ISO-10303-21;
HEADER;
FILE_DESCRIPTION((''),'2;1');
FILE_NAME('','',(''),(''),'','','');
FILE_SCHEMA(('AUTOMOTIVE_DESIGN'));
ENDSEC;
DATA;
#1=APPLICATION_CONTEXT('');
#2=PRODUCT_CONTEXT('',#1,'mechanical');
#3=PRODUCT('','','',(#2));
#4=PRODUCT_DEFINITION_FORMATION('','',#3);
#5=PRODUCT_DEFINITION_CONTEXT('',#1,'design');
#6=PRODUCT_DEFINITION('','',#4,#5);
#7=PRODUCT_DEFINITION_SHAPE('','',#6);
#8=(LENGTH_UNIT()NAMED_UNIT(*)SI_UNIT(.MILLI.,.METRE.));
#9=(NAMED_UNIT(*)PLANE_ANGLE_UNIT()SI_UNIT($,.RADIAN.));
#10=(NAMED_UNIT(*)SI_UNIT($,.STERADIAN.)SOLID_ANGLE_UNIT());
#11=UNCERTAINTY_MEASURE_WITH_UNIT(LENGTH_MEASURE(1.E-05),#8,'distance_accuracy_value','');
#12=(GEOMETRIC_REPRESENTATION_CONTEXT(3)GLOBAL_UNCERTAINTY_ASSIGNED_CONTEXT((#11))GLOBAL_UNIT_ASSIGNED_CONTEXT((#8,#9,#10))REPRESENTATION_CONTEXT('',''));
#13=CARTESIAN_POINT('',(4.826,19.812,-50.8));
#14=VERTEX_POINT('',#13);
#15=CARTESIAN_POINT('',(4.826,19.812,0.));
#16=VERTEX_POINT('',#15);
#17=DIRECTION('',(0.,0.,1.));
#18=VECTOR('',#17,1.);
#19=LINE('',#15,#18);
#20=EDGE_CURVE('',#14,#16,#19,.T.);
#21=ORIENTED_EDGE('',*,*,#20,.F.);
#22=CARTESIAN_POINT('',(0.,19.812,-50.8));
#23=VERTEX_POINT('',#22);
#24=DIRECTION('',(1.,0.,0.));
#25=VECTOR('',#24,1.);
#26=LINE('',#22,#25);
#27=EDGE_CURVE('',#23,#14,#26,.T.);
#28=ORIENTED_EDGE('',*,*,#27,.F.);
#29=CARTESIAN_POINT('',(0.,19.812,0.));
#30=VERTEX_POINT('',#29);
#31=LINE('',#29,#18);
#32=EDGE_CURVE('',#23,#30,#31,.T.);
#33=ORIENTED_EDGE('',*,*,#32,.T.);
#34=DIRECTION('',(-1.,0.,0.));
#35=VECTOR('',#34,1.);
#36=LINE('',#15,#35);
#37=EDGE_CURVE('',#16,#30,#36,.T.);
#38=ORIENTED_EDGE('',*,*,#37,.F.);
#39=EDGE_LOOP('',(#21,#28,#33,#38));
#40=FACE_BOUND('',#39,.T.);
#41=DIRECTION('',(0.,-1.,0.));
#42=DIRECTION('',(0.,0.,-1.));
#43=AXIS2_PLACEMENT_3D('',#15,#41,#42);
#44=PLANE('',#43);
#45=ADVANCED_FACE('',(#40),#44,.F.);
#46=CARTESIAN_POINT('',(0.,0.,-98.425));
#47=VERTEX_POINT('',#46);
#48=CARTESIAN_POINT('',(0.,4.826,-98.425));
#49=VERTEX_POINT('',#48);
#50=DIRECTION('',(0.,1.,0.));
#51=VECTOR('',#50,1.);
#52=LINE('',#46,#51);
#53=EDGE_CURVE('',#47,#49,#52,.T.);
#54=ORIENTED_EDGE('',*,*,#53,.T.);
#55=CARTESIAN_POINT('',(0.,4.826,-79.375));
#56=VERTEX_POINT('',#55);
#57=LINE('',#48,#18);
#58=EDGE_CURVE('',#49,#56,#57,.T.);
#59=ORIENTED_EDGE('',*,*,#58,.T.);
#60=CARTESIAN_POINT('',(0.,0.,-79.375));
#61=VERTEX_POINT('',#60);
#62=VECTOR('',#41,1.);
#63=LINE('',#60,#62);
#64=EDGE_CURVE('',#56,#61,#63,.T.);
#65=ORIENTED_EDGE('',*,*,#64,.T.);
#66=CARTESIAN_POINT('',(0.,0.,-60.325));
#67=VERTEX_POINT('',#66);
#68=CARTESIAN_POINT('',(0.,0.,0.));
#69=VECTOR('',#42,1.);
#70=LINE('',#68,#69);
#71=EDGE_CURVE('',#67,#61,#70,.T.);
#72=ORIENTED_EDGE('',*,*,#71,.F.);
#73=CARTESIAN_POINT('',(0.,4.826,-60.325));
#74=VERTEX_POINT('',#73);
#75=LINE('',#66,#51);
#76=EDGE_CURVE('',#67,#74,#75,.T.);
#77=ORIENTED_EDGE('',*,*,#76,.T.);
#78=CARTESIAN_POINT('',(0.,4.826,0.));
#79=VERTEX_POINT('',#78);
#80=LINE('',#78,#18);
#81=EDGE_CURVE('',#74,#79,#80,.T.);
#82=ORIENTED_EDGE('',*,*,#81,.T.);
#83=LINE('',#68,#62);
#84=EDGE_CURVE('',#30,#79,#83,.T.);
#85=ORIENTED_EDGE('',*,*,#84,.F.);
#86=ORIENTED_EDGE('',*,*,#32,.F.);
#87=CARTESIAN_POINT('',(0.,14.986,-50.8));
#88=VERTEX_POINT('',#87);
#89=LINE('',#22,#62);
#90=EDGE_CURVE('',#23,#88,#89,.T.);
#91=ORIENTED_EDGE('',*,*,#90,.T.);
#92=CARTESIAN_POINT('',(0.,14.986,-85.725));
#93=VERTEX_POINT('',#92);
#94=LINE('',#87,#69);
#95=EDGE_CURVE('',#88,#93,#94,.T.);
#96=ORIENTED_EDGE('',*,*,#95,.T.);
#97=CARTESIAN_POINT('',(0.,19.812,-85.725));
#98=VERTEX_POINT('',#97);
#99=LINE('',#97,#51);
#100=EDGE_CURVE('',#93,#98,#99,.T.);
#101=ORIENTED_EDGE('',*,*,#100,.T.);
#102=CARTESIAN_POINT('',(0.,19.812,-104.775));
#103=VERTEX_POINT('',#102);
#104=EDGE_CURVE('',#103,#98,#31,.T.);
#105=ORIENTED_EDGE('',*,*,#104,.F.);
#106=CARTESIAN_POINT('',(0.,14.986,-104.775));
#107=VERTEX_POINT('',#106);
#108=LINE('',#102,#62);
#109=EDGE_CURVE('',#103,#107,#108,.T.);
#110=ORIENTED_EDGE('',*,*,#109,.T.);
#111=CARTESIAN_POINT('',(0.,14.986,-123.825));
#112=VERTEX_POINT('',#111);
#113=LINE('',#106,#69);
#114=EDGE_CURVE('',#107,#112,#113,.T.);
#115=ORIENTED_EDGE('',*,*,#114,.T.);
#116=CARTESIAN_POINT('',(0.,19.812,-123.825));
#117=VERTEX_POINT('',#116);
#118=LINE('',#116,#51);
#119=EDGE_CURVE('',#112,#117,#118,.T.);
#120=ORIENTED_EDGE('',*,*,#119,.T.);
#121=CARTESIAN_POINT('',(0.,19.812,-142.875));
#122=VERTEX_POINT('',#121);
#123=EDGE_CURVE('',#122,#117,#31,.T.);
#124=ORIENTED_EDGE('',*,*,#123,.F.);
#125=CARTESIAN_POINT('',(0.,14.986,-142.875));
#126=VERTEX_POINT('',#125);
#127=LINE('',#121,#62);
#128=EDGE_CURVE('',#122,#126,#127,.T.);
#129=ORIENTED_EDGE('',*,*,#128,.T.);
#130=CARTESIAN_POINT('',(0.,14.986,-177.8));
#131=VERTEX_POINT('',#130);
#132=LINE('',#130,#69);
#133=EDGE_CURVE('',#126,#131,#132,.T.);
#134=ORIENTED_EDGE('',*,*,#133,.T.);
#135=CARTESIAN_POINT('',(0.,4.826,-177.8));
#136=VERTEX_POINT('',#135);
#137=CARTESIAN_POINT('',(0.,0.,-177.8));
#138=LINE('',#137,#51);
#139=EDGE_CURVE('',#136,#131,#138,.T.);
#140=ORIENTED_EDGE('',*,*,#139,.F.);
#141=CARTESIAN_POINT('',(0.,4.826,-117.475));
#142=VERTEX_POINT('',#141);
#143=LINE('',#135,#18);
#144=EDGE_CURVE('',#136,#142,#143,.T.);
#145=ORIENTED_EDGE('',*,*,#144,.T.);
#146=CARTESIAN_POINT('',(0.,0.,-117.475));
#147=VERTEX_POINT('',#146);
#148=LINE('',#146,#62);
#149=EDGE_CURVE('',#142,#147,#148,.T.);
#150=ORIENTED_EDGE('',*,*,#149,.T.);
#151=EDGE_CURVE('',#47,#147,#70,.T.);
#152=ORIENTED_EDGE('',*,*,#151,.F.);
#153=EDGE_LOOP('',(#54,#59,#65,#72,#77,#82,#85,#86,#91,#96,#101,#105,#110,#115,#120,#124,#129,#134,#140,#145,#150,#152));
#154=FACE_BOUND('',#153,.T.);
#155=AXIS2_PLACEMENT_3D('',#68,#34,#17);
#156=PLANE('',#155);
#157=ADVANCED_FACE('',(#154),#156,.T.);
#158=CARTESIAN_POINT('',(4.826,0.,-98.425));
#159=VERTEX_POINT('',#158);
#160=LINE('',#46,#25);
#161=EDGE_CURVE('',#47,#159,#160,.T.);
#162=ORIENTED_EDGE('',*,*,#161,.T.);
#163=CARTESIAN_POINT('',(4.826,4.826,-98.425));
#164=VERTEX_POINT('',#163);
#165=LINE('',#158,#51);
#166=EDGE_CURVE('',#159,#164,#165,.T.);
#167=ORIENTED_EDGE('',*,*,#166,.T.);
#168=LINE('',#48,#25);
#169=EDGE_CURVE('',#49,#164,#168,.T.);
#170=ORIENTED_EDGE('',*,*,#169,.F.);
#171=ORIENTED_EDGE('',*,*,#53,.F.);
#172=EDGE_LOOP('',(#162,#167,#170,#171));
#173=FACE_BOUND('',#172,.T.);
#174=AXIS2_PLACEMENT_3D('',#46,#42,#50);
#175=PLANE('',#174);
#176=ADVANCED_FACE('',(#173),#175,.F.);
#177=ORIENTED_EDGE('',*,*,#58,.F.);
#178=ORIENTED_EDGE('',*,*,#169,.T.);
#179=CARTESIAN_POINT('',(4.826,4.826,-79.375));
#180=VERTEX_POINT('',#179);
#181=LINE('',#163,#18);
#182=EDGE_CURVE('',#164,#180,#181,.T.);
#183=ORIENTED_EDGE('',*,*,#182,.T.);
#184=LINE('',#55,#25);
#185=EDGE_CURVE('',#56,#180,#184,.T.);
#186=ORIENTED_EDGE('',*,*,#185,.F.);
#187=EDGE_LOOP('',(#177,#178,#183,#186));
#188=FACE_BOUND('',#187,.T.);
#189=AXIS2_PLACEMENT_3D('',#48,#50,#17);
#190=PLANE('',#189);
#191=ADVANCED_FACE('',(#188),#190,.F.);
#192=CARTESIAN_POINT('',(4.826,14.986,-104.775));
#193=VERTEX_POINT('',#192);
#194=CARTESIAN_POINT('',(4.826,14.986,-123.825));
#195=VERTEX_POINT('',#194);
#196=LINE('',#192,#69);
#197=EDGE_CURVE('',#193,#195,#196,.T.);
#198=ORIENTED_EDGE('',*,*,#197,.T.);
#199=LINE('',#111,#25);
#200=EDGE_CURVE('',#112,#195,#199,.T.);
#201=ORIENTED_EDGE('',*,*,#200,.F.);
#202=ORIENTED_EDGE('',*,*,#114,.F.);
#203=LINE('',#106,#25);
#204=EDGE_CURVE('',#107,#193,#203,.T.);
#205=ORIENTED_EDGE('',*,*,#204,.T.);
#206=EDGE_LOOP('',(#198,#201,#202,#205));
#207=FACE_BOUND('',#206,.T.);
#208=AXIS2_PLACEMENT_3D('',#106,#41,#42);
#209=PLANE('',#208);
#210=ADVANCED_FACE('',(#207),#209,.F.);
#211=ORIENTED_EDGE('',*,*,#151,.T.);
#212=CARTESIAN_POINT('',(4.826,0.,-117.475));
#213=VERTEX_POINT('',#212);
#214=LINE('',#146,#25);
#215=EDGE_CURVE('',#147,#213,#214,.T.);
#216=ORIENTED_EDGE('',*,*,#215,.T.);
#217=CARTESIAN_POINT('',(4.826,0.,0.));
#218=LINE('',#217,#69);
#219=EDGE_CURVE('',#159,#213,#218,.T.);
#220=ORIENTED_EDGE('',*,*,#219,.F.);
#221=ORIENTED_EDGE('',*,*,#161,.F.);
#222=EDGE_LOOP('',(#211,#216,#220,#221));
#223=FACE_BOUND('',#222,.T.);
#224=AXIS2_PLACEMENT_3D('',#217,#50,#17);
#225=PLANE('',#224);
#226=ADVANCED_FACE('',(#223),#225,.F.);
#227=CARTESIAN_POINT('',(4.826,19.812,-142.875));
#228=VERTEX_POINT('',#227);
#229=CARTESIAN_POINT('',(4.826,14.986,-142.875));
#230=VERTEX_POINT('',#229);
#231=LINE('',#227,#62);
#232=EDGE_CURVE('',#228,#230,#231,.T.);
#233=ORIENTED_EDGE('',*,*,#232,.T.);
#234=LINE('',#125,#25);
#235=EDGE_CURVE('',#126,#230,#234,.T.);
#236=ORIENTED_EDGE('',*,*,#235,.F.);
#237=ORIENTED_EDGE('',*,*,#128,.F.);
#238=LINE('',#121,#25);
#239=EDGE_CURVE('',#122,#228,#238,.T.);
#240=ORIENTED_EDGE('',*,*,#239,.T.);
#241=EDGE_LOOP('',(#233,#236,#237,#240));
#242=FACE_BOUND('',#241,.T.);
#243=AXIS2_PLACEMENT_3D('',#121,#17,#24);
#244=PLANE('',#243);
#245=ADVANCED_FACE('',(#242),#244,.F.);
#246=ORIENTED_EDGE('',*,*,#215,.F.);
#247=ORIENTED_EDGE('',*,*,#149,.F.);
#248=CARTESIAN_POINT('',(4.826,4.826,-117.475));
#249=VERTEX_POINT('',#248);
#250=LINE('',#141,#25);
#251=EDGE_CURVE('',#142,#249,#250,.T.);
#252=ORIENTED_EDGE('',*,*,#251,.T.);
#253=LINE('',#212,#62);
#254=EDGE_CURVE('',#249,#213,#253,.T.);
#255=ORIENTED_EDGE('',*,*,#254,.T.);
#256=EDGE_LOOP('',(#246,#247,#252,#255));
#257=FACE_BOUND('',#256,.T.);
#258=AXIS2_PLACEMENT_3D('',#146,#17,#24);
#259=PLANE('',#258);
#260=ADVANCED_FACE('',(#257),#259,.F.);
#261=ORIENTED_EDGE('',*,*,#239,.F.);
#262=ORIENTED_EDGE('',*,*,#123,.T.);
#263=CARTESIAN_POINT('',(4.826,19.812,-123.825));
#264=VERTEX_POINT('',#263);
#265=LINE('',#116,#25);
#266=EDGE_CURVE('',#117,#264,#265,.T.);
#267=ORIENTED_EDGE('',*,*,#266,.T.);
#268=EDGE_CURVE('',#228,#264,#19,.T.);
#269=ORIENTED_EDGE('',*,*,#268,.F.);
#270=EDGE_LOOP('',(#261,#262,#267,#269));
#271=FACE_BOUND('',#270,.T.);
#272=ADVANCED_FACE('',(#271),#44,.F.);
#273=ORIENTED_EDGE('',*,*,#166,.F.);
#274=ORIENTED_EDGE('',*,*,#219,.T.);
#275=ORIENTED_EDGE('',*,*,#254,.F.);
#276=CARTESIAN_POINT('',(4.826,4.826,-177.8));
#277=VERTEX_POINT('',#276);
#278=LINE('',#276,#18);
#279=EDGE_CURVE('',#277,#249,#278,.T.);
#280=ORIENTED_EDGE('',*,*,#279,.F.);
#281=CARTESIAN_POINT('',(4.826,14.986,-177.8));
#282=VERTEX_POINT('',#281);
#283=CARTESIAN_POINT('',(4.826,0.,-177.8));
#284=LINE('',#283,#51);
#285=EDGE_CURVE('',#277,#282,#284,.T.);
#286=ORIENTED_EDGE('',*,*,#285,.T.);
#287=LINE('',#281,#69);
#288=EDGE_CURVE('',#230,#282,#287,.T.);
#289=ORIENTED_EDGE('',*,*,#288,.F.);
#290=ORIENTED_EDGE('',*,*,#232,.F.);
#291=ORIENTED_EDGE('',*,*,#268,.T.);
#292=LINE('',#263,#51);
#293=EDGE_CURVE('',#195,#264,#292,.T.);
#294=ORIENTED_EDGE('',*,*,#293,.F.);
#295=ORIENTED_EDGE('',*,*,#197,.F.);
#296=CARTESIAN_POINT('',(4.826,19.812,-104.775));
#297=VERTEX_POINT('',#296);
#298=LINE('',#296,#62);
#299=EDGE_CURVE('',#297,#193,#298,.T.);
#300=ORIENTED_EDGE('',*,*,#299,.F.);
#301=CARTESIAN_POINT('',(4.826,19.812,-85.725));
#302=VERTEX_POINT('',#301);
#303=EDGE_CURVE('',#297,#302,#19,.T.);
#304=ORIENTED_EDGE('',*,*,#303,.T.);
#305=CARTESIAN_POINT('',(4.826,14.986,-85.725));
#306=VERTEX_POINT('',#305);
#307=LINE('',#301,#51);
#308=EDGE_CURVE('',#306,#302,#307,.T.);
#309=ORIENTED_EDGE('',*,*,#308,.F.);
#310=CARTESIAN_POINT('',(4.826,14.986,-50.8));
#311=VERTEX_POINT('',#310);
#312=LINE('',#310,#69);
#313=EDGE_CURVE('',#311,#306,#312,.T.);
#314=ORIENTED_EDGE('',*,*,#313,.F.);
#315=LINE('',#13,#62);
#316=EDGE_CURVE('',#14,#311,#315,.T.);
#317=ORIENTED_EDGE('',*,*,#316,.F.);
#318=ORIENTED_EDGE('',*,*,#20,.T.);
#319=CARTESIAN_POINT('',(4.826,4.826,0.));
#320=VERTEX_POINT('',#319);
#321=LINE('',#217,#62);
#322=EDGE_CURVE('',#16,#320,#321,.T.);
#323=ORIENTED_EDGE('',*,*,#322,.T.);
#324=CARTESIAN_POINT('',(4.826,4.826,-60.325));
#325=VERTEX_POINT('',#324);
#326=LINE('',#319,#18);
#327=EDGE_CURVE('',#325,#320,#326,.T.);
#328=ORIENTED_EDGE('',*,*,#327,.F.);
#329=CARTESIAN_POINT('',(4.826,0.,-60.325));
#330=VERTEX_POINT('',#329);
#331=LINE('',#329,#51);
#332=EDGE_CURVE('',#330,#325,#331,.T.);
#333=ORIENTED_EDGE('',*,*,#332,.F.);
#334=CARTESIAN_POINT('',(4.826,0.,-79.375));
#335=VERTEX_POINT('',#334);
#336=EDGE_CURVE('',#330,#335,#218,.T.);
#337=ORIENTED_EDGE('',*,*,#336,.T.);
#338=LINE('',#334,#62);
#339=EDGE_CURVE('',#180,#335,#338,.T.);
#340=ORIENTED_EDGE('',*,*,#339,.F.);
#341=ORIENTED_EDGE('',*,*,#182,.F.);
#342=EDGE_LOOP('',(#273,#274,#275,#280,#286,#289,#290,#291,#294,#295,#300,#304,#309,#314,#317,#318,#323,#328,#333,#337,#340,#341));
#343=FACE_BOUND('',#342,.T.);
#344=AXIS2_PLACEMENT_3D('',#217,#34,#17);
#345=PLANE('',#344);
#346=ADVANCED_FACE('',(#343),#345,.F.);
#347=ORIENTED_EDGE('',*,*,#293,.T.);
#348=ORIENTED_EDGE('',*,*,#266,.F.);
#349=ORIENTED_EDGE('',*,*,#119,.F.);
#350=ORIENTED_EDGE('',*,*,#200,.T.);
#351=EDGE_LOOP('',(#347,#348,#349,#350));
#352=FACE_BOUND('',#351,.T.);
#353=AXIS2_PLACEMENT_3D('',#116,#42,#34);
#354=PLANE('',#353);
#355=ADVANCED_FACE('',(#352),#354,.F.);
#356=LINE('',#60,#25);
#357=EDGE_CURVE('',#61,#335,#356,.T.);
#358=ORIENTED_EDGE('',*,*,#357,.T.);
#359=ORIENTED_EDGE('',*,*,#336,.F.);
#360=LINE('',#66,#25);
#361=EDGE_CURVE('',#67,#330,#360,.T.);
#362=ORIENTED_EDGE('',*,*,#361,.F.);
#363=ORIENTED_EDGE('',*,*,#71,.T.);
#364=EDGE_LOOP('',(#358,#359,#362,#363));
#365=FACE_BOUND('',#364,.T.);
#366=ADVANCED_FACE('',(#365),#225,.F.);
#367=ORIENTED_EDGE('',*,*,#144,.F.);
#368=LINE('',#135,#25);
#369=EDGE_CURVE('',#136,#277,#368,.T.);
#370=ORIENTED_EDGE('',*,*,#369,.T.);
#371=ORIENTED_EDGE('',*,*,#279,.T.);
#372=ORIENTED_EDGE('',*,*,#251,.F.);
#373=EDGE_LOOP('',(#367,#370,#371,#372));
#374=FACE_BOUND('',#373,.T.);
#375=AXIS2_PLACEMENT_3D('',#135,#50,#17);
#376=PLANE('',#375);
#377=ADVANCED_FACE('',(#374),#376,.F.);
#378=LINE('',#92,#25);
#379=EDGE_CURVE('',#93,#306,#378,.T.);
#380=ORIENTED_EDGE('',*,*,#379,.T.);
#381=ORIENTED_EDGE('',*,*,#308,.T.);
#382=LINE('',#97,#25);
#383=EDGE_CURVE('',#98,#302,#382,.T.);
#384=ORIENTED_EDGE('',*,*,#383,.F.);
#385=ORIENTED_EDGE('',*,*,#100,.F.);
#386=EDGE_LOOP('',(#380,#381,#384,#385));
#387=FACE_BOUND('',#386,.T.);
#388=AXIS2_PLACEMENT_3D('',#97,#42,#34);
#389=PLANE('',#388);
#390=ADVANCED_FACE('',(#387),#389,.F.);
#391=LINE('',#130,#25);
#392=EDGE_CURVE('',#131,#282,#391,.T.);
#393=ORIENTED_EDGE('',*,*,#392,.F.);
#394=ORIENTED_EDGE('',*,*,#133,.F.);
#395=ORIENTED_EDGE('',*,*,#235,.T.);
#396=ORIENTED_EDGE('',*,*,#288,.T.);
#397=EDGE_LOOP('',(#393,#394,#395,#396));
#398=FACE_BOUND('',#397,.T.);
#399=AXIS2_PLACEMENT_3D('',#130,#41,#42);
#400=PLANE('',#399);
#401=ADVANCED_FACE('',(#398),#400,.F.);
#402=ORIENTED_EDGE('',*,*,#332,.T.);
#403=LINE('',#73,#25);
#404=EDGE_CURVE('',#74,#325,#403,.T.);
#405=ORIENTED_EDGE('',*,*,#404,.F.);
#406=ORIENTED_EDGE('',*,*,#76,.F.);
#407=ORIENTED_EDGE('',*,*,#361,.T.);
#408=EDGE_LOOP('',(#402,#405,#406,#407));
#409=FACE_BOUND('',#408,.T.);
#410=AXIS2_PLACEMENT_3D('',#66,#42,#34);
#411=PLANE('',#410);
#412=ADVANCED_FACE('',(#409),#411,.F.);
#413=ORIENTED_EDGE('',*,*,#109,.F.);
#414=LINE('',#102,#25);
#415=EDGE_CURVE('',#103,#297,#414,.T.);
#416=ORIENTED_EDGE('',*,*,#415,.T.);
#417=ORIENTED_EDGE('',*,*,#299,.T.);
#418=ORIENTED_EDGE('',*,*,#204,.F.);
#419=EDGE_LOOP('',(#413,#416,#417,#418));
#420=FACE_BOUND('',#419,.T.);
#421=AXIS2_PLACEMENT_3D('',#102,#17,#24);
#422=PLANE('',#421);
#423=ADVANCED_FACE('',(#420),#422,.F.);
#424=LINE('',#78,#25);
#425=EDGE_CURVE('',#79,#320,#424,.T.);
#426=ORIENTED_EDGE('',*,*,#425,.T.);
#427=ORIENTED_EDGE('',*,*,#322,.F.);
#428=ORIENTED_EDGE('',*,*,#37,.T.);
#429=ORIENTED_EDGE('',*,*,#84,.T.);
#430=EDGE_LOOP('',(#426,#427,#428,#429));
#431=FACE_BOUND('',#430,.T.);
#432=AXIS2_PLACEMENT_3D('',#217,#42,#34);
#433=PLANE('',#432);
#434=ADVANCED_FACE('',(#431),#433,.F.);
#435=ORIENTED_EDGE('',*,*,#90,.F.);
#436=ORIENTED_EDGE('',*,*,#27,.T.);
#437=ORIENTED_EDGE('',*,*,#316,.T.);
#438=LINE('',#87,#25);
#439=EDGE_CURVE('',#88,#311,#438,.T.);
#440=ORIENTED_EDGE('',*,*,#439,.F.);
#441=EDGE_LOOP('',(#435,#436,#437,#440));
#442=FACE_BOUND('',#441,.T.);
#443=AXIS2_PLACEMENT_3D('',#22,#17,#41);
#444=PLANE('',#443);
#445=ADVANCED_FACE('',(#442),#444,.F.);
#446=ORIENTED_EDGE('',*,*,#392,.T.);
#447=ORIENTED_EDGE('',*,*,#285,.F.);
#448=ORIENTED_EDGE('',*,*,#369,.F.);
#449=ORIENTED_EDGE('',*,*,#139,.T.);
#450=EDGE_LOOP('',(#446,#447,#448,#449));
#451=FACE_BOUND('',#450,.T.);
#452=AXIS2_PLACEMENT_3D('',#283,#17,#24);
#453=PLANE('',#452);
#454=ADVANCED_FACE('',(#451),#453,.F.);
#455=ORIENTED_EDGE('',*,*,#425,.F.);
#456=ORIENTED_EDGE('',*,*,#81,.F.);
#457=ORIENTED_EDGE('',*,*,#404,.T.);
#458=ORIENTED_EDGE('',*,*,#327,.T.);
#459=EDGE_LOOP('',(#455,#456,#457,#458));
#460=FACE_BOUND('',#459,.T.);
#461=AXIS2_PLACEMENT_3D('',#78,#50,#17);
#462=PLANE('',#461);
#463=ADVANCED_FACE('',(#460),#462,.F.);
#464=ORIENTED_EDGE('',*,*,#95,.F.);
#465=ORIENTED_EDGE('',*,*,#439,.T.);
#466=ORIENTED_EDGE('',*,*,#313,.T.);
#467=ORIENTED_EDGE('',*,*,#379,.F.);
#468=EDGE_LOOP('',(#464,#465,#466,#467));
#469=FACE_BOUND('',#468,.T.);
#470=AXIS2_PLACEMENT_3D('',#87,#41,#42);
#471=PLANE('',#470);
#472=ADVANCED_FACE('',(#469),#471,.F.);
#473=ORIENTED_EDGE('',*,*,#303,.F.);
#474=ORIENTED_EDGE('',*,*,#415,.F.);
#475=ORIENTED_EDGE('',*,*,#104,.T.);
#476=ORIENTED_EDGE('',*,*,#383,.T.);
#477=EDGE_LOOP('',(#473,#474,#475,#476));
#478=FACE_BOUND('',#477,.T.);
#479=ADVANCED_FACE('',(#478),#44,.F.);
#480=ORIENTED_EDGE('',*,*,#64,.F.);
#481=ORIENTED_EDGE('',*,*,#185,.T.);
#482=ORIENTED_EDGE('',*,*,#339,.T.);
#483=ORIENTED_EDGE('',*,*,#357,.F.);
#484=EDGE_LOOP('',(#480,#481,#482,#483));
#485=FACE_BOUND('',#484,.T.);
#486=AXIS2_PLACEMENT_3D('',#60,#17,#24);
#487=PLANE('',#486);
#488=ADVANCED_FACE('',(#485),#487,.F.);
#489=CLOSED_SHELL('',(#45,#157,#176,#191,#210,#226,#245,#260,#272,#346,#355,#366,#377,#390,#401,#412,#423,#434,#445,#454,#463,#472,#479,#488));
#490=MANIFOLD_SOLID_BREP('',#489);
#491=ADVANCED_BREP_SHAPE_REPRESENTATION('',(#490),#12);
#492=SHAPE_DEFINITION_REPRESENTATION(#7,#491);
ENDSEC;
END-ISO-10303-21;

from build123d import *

# Parameters (mm, degrees)
SKETCH1_W          = 177.8
SKETCH1_H          = 19.812
BASE_DEPTH         = 4.826
SKETCH2_W          = 34.925
SKETCH2_H          = 4.826
SKETCH2_W_2        = 19.05
TOP_TABS_DEPTH     = 179.965487231
SKETCH3_W          = 60.325
SKETCH3_H          = 4.826
SKETCH3_W_2        = 19.05
CUT_EXTRUDE2_DEPTH = 179.965487231


with BuildPart() as part:
    # Sketch1 → Base (new body)
    with BuildSketch(Plane(origin=(0, 0, 0), x_dir=(0, 0, -1), z_dir=(1, 0, 0))):
        with Locations((88.9, 9.906)):
            Rectangle(SKETCH1_W, SKETCH1_H)
    extrude(amount=BASE_DEPTH)

    # Sketch2 → Top Tabs (cut, through all)
    with BuildSketch(Plane(origin=(4.826, 0, 0), x_dir=(0, 0, -1), z_dir=(1, 0, 0))):
        with Locations((68.2625, 17.399)):
            Rectangle(SKETCH2_W, SKETCH2_H)
        with Locations((114.3, 17.399)):
            Rectangle(SKETCH2_W_2, SKETCH2_H)
        with Locations((160.3375, 17.399)):
            Rectangle(SKETCH2_W, SKETCH2_H)
    extrude(amount=-TOP_TABS_DEPTH, mode=Mode.SUBTRACT)

    # Sketch3 → Cut-Extrude2 (cut, through all)
    with BuildSketch(Plane(origin=(4.826, 0, 0), x_dir=(0, 0, -1), z_dir=(1, 0, 0))):
        with Locations((30.1625, 2.413)):
            Rectangle(SKETCH3_W, SKETCH3_H)
        with Locations((147.6375, 2.413)):
            Rectangle(SKETCH3_W, SKETCH3_H)
        with Locations((88.9, 2.413)):
            Rectangle(SKETCH3_W_2, SKETCH3_H)
    extrude(amount=-CUT_EXTRUDE2_DEPTH, mode=Mode.SUBTRACT)


solid = part.part
